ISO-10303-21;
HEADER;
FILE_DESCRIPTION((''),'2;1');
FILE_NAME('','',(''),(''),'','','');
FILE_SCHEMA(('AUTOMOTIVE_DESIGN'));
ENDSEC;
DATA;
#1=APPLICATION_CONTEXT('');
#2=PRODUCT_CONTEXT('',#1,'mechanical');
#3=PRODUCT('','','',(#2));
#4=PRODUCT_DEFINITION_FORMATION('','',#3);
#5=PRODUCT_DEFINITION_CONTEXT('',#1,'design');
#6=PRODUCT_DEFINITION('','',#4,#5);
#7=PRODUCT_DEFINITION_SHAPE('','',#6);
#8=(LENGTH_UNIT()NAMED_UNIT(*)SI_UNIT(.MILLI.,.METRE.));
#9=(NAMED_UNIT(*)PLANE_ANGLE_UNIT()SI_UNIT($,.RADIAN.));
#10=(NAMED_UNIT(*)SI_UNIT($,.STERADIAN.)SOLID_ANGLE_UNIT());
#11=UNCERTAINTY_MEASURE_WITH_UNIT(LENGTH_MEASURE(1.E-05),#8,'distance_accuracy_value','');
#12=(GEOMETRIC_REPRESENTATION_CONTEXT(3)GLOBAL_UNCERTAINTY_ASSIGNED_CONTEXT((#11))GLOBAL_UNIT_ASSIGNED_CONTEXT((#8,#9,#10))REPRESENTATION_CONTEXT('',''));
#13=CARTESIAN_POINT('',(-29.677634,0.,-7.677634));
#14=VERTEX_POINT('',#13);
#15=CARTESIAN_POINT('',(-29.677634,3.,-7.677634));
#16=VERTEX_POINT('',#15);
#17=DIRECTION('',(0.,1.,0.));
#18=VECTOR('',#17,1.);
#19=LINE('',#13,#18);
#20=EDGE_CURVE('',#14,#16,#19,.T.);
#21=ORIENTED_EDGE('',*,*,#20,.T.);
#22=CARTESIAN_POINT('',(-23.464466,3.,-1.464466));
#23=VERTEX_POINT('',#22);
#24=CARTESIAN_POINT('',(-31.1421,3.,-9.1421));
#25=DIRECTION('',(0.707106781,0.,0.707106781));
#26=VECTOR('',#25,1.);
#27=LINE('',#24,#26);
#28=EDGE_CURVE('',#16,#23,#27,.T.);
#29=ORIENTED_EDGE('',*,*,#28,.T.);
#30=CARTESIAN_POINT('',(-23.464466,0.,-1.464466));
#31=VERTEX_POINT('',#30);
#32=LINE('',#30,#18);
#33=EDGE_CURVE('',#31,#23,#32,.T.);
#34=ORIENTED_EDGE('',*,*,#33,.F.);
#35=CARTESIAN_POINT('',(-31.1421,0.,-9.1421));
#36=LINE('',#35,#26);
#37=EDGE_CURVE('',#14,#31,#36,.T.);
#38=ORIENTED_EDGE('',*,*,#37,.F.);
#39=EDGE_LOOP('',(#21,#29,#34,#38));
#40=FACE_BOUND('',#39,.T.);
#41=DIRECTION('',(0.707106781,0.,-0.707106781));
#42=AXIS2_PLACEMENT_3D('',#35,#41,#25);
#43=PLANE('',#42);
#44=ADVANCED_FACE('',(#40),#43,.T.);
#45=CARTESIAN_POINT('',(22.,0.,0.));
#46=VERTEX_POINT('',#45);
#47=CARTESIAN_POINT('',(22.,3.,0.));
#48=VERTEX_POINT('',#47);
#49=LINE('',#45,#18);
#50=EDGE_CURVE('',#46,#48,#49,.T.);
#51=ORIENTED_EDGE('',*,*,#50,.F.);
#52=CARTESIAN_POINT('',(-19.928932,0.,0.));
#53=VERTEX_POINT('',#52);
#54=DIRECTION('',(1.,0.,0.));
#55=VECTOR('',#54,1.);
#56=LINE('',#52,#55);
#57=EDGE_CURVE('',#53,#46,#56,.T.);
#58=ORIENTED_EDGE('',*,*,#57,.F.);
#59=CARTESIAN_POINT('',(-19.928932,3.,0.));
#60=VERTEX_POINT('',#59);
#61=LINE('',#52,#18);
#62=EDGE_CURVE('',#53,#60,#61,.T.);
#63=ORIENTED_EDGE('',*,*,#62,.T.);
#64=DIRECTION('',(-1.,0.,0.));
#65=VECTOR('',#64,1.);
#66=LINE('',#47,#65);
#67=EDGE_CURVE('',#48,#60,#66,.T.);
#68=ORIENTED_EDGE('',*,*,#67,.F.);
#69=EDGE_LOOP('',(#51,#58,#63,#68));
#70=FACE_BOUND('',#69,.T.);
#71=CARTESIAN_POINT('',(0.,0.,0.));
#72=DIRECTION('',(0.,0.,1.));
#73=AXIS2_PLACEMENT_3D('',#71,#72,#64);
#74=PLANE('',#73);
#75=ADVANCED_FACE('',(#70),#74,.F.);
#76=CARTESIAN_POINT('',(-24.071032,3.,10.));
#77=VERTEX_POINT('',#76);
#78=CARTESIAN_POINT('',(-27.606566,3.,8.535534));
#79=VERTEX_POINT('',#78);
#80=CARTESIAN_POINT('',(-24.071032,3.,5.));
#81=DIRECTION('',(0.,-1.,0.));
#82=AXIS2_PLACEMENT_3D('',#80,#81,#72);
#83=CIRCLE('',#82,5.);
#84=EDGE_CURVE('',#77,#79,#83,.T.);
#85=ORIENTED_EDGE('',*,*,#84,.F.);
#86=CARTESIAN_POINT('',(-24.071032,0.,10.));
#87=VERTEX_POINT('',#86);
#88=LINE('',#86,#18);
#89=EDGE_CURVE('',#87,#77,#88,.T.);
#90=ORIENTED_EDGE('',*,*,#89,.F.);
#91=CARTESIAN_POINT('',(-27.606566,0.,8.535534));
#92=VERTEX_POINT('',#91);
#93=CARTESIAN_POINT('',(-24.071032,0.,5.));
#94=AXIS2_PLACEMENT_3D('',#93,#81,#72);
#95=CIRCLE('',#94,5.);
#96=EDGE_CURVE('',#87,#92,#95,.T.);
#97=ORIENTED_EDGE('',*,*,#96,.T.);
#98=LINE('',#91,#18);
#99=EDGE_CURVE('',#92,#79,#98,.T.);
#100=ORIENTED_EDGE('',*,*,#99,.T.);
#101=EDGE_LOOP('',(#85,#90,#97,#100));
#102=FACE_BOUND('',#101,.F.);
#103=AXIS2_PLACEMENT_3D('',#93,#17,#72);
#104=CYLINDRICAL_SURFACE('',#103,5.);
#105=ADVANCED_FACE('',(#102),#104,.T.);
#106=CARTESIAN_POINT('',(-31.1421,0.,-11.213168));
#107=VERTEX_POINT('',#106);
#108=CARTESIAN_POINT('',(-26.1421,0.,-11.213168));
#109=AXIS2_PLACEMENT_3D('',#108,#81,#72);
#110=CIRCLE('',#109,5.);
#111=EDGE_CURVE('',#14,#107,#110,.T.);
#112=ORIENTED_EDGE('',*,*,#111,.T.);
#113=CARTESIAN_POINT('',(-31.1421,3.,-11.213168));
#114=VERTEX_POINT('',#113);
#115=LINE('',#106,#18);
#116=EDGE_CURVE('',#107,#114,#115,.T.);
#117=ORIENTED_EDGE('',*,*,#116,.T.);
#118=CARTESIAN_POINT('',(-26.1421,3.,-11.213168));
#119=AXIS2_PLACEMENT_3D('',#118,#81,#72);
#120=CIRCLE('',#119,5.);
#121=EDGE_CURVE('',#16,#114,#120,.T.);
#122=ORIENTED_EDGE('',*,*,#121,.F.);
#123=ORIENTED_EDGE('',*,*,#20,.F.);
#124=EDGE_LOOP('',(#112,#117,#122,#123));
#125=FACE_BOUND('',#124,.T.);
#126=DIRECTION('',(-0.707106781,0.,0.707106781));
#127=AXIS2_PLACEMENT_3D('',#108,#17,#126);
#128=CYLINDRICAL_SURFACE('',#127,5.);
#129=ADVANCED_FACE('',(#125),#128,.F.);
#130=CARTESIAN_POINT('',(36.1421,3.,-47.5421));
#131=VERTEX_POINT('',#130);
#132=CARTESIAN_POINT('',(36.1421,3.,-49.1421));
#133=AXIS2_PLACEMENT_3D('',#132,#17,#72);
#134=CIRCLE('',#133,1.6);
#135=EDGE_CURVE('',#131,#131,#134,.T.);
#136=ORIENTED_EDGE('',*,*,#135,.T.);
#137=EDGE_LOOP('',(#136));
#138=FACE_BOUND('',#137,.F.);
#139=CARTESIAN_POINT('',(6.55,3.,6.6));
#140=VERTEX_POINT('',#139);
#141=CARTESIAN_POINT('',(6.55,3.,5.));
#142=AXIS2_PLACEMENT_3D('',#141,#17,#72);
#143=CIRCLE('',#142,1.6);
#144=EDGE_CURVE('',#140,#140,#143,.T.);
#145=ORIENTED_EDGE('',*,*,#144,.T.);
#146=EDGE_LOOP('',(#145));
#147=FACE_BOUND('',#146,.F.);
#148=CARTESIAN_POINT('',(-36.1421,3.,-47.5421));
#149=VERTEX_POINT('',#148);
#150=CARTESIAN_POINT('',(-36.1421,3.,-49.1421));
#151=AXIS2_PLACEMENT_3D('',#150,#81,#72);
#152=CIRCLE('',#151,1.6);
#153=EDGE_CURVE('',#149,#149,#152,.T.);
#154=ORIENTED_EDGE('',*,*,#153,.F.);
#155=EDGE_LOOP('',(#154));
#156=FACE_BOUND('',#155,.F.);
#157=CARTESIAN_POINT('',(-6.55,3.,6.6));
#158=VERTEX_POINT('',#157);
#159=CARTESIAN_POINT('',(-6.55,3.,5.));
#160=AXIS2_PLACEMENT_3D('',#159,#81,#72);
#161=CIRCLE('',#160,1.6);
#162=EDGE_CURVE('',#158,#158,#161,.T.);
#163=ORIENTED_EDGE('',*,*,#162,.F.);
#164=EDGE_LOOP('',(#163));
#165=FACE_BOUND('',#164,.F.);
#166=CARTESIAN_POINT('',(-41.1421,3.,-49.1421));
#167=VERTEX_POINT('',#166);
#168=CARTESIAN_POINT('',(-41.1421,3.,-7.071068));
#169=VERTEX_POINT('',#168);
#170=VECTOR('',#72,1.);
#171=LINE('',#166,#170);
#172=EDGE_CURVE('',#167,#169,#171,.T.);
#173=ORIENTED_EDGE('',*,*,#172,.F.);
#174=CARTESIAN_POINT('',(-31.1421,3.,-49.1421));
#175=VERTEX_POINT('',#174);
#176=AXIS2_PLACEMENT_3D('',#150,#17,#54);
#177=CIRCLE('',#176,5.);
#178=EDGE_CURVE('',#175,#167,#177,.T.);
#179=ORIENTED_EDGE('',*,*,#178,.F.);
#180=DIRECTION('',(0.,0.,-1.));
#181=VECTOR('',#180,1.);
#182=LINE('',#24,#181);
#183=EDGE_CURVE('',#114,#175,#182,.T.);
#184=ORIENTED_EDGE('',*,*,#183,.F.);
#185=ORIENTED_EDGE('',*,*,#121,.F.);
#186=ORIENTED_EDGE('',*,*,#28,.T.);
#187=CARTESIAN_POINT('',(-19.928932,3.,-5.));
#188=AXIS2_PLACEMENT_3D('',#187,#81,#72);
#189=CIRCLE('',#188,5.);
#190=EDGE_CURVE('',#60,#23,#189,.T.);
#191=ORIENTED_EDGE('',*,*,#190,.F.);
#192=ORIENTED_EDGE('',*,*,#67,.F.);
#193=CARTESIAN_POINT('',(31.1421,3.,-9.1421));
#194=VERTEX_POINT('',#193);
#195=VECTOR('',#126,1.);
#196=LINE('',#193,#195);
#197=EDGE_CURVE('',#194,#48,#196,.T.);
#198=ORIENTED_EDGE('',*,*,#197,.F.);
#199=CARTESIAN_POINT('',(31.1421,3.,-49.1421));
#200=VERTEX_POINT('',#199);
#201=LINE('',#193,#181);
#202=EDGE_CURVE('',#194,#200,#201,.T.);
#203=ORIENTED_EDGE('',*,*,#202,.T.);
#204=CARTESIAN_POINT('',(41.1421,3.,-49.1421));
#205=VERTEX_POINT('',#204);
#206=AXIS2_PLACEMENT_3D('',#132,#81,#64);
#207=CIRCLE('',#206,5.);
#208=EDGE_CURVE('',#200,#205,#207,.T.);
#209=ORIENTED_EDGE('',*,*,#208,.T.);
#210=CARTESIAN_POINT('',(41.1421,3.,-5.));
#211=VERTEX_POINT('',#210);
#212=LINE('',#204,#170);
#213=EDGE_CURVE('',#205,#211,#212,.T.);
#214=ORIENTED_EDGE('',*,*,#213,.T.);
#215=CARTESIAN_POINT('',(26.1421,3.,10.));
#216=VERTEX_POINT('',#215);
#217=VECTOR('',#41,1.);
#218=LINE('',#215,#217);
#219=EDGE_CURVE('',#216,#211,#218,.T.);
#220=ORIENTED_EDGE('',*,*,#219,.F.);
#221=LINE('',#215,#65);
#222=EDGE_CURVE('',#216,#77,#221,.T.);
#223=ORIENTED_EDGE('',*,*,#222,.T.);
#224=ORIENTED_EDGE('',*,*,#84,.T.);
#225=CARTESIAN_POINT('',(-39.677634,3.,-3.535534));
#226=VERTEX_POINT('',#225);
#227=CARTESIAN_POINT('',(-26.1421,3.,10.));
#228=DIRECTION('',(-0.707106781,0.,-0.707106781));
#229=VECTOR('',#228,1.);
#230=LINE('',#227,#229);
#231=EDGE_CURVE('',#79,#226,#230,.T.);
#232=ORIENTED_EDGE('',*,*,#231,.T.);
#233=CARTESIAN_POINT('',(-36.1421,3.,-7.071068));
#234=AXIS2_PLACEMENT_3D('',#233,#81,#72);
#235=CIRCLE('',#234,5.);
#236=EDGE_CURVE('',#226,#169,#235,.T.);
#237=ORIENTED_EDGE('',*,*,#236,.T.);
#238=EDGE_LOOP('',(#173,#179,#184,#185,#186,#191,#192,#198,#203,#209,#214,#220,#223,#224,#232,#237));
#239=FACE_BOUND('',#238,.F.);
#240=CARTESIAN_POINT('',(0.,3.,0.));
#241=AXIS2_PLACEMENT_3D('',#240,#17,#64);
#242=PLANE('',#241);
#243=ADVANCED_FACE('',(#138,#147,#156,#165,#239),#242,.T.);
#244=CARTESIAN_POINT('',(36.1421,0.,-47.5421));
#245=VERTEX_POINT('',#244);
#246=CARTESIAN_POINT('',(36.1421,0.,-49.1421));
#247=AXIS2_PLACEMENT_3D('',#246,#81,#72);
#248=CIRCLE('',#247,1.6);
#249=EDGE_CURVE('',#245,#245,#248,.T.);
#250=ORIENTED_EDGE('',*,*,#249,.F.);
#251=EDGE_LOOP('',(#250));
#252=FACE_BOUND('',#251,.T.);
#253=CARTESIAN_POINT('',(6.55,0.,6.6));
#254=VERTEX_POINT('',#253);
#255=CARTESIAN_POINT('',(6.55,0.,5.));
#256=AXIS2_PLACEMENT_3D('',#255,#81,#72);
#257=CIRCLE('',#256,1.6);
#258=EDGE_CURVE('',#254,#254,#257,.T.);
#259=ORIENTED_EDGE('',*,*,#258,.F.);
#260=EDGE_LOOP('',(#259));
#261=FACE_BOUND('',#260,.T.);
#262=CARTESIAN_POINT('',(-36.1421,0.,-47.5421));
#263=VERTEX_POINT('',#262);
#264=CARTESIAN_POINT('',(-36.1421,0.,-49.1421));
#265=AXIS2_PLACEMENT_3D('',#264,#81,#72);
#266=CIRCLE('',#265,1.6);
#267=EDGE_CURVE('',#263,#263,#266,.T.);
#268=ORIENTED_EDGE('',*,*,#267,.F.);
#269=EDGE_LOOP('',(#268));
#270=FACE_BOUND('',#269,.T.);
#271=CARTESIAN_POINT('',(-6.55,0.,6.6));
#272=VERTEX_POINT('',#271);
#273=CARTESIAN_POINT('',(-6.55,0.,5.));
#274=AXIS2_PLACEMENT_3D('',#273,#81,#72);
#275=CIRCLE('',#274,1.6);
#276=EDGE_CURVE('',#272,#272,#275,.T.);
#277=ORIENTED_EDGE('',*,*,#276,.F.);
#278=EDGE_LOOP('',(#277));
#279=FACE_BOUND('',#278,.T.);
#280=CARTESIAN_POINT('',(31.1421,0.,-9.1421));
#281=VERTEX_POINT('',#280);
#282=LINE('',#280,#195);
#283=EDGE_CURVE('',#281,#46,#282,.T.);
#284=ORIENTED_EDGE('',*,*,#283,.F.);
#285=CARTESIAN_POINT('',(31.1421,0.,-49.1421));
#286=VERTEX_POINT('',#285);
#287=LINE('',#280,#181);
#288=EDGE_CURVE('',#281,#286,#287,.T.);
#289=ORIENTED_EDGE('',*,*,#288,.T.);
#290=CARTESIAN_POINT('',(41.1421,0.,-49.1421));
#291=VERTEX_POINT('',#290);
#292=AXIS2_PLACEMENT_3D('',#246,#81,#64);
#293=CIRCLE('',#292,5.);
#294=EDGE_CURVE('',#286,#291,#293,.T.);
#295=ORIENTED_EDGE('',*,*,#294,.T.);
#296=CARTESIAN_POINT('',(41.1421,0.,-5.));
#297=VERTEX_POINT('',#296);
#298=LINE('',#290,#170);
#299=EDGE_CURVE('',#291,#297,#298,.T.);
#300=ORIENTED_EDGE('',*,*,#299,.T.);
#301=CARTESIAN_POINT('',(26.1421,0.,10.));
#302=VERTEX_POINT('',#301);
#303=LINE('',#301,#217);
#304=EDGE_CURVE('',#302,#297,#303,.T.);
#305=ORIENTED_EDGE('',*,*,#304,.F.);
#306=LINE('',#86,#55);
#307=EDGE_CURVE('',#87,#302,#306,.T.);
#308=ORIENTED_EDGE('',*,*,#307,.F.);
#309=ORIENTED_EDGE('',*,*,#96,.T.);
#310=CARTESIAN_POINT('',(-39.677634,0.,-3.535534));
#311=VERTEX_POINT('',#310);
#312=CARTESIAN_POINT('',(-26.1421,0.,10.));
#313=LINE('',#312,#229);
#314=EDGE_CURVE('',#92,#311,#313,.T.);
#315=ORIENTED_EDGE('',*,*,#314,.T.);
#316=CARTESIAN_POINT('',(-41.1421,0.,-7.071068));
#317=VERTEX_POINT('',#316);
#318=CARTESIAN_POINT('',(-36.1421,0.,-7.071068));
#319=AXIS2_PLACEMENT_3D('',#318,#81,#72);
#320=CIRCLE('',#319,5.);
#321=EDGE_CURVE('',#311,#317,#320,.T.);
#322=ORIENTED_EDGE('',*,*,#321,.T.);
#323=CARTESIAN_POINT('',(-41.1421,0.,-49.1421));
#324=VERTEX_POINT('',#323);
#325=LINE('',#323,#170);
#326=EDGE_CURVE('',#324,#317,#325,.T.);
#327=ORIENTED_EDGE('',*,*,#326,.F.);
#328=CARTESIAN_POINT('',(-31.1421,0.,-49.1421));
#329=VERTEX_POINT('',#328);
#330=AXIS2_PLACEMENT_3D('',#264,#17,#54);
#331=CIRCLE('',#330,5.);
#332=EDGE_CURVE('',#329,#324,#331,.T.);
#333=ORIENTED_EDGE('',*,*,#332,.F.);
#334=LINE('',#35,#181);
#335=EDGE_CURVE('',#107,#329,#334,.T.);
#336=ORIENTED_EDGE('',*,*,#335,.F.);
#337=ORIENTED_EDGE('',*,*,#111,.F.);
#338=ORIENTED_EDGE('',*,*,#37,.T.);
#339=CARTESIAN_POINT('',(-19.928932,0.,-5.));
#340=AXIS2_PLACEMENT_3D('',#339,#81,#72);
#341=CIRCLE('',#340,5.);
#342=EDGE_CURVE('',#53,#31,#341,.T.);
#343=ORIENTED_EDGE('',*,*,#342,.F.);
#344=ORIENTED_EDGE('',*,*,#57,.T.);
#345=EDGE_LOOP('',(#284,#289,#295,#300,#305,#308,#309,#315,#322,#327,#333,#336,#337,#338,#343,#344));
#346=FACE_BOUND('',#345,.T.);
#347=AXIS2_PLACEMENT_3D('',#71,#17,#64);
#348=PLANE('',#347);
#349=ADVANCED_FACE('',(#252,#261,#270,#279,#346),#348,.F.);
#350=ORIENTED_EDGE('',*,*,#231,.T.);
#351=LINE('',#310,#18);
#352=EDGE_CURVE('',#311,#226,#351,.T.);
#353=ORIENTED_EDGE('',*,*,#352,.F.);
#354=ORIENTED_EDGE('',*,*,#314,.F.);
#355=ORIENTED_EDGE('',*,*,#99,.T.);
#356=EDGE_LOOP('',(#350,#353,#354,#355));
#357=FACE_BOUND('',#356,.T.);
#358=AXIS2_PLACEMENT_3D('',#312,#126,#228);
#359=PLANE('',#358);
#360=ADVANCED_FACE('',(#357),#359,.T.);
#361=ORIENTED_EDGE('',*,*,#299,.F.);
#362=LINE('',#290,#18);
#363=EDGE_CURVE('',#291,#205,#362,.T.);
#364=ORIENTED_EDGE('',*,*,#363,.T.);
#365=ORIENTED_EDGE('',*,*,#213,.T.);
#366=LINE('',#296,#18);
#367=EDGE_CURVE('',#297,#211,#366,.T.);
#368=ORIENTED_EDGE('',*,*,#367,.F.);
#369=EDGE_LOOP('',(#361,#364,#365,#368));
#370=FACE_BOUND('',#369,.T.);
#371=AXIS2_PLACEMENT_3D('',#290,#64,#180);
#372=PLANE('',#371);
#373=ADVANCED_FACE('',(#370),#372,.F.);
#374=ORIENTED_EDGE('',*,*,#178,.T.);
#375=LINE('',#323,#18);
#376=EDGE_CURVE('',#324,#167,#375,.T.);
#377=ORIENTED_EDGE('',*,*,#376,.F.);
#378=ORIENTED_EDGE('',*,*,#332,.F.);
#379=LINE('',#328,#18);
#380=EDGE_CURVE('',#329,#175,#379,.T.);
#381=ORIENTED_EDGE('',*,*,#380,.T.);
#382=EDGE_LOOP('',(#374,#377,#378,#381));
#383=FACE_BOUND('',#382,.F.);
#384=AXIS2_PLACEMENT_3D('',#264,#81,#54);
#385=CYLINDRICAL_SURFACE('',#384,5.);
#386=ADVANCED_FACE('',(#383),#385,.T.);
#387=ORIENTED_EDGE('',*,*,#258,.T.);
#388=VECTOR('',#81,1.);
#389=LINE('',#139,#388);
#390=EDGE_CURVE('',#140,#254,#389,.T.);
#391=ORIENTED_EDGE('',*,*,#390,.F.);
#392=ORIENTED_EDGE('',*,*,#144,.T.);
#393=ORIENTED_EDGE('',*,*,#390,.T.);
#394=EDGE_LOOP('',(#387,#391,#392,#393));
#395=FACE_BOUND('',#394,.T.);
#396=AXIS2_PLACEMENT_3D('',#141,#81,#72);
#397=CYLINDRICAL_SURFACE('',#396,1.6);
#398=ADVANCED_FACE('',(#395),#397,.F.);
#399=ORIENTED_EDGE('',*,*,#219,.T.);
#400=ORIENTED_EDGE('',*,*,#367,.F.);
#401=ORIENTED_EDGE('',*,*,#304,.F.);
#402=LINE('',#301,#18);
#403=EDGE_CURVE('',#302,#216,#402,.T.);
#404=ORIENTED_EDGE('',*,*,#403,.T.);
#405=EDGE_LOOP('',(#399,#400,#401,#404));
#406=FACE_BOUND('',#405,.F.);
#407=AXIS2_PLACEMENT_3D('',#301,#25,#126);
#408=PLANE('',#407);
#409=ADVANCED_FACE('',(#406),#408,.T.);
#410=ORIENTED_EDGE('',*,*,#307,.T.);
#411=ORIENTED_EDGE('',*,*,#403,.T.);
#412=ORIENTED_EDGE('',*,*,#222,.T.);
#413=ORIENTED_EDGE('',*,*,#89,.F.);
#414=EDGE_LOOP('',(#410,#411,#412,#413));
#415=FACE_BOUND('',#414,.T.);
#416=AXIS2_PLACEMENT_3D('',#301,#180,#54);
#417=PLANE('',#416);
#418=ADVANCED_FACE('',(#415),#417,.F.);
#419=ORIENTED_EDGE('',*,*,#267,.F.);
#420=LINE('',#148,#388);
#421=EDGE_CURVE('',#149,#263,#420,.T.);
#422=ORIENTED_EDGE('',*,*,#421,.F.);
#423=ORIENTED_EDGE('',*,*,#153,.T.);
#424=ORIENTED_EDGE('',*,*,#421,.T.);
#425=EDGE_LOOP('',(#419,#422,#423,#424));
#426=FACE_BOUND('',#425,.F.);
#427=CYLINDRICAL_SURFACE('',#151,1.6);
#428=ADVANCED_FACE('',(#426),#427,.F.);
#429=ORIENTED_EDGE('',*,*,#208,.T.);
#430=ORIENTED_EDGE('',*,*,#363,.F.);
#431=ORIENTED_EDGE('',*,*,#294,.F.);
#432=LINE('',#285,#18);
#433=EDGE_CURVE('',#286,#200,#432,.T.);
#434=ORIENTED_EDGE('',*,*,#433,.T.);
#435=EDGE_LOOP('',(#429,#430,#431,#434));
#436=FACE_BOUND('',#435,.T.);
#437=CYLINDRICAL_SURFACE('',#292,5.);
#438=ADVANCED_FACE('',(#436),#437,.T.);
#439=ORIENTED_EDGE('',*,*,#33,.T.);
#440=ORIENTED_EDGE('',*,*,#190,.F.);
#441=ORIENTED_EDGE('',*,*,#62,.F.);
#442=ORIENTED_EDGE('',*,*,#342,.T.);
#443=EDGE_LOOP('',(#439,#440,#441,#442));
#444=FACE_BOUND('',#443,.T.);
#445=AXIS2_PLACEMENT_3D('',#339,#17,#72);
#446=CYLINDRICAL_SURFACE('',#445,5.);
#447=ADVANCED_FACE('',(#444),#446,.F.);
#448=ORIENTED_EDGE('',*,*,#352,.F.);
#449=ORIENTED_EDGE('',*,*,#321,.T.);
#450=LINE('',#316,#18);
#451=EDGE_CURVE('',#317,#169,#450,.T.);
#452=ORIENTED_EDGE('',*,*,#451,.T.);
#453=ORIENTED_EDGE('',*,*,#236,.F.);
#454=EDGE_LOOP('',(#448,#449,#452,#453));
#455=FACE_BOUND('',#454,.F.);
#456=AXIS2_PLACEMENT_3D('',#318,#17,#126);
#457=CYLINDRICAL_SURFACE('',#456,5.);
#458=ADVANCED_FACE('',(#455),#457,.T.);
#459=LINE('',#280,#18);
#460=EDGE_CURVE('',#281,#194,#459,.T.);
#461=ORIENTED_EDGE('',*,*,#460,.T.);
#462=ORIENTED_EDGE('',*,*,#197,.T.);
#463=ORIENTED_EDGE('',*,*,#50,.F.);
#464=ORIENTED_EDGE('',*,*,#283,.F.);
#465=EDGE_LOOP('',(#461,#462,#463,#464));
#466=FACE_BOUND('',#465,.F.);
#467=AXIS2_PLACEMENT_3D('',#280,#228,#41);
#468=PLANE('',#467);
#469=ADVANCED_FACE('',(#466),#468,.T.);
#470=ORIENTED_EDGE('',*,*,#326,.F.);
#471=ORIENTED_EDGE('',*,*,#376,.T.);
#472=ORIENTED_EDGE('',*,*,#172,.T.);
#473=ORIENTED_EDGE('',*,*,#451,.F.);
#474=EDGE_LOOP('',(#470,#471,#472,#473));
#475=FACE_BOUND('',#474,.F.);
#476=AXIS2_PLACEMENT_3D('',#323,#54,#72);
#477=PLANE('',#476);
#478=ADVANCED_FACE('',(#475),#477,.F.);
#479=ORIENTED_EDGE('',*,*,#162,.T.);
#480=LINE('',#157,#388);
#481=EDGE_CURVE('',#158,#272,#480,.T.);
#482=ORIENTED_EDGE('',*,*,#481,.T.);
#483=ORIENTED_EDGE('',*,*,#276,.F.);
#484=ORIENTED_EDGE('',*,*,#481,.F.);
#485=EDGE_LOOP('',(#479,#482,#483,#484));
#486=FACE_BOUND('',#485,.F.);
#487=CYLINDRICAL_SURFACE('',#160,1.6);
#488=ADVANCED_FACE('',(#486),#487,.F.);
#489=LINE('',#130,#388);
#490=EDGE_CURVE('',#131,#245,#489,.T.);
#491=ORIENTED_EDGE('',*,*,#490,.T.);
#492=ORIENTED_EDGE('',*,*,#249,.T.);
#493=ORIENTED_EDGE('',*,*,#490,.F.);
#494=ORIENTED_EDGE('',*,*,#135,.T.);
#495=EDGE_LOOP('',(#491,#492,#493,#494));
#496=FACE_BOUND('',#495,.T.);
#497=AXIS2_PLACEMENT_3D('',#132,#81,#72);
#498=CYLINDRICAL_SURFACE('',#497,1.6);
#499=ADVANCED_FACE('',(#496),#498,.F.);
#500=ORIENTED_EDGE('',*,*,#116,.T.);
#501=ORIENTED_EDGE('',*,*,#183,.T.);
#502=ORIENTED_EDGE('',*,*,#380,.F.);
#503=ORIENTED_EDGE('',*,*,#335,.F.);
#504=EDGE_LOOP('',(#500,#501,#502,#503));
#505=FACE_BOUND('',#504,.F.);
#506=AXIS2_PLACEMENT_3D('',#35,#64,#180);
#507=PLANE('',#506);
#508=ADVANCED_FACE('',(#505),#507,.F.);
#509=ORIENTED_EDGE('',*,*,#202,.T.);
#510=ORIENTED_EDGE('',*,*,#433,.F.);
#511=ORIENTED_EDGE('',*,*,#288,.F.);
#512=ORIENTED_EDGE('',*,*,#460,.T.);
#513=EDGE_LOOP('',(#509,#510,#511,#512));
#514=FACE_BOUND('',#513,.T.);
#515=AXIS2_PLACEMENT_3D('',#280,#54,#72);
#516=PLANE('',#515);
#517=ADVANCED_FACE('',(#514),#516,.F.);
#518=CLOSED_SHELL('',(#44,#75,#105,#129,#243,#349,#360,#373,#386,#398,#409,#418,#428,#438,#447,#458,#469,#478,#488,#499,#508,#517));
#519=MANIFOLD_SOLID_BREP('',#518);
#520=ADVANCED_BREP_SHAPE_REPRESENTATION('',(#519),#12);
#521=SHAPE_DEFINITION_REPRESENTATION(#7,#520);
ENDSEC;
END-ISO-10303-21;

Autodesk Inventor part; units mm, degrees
ref_plane "YZ Plane" through (0, 0, 0) normal (1, 0, 0) x (0, 1, 0)
ref_plane "XZ Plane" through (0, 0, 0) normal (0, 1, 0) x (-1, 0, 0)
ref_plane "XY Plane" through (0, 0, 0) normal (0, 0, 1) x (1, 0, 0)
sketch "Sketch3" plane through (0, 0, 0) normal (0, 1, 0) x (-1, 0, 0)
  line L0 (0, 0) -> (22, 0)
  line L1 (31.1421, -9.1421) -> (31.1421, -49.1421)
  line L2 (41.1421, -49.1421) -> (41.1421, -5)
  line L3 (0, 10) -> (0, 0)
  line L4 (26.1421, 10) -> (41.1421, -5)
  line L5 (31.1421, -9.1421) -> (22, 0)
  line L6 (26.1421, 10) -> (0, 10)
  line L7 (22, 0) -> (0, 0)
  line L8 (31.1421, -9.1421) -> (31.1421, -49.1421)
  line L9 (41.1421, -49.1421) -> (41.1421, -5)
  line L10 (22, 0) -> (0, 0)
  arc A0 (31.1421, -49.1421) -> (41.1421, -49.1421) centre (36.1421, -49.1421) ccw
  circle A1 centre (0, -30) radius 30
  point P0 (31.1421, -29.1421)
  dimension "d51" = 10
  dimension "d56" = 10
  dimension "d57" = 15
  dimension "d58" = 15
  dimension "d59" = 5
  dimension "d60" = 22
  dimension "d61" = 40
  dimension "d64" = 10
  dimension "d65" = 10
  dimension "d66" = 60
  dimension "d67" = 30
extrude "Extrusion2" add sketch "Sketch3" along normal blind 3 contours L3 L6 L4 L2 A0 L1 L5 L0
sketch "Sketch4" plane through (0, 3, 0) normal (0, 1, 0) x (1, 0, 0)
  line L0 (0, -10) -> (0, 0) projected
  arc A0 (-31.1421, 49.1421) -> (-41.1421, 49.1421) centre (-36.1421, 49.1421) ccw projected
  point P0 (-6.55, -5)
  point P1 (0, -5)
  point P2 (-36.1421, 54.1421)
  dimension "d77" = 6.55
hole "Hole2" at (-6.55, 3, 5) at (-36.1421, 3, -49.1421) direction (0, -1, 0) diameter 3.2 end through all clearance for "Countersunk Flat Head Screw DIN EN ISO 2009" size "M3" standard "DIN"
fillet "Fillet1" radius 5 4 edges at (-26.1421, 1.5, 10) (-41.1421, 1.5, -5) (-31.1421, 1.5, -9.1421) (-22, 1.5, 0)
mirror "Mirror3" about plane through (0, 0, 10) normal (1, 0, 0) of "Extrusion2", "Hole2"
properties part number "Claw4" material "Copper, Cast"
